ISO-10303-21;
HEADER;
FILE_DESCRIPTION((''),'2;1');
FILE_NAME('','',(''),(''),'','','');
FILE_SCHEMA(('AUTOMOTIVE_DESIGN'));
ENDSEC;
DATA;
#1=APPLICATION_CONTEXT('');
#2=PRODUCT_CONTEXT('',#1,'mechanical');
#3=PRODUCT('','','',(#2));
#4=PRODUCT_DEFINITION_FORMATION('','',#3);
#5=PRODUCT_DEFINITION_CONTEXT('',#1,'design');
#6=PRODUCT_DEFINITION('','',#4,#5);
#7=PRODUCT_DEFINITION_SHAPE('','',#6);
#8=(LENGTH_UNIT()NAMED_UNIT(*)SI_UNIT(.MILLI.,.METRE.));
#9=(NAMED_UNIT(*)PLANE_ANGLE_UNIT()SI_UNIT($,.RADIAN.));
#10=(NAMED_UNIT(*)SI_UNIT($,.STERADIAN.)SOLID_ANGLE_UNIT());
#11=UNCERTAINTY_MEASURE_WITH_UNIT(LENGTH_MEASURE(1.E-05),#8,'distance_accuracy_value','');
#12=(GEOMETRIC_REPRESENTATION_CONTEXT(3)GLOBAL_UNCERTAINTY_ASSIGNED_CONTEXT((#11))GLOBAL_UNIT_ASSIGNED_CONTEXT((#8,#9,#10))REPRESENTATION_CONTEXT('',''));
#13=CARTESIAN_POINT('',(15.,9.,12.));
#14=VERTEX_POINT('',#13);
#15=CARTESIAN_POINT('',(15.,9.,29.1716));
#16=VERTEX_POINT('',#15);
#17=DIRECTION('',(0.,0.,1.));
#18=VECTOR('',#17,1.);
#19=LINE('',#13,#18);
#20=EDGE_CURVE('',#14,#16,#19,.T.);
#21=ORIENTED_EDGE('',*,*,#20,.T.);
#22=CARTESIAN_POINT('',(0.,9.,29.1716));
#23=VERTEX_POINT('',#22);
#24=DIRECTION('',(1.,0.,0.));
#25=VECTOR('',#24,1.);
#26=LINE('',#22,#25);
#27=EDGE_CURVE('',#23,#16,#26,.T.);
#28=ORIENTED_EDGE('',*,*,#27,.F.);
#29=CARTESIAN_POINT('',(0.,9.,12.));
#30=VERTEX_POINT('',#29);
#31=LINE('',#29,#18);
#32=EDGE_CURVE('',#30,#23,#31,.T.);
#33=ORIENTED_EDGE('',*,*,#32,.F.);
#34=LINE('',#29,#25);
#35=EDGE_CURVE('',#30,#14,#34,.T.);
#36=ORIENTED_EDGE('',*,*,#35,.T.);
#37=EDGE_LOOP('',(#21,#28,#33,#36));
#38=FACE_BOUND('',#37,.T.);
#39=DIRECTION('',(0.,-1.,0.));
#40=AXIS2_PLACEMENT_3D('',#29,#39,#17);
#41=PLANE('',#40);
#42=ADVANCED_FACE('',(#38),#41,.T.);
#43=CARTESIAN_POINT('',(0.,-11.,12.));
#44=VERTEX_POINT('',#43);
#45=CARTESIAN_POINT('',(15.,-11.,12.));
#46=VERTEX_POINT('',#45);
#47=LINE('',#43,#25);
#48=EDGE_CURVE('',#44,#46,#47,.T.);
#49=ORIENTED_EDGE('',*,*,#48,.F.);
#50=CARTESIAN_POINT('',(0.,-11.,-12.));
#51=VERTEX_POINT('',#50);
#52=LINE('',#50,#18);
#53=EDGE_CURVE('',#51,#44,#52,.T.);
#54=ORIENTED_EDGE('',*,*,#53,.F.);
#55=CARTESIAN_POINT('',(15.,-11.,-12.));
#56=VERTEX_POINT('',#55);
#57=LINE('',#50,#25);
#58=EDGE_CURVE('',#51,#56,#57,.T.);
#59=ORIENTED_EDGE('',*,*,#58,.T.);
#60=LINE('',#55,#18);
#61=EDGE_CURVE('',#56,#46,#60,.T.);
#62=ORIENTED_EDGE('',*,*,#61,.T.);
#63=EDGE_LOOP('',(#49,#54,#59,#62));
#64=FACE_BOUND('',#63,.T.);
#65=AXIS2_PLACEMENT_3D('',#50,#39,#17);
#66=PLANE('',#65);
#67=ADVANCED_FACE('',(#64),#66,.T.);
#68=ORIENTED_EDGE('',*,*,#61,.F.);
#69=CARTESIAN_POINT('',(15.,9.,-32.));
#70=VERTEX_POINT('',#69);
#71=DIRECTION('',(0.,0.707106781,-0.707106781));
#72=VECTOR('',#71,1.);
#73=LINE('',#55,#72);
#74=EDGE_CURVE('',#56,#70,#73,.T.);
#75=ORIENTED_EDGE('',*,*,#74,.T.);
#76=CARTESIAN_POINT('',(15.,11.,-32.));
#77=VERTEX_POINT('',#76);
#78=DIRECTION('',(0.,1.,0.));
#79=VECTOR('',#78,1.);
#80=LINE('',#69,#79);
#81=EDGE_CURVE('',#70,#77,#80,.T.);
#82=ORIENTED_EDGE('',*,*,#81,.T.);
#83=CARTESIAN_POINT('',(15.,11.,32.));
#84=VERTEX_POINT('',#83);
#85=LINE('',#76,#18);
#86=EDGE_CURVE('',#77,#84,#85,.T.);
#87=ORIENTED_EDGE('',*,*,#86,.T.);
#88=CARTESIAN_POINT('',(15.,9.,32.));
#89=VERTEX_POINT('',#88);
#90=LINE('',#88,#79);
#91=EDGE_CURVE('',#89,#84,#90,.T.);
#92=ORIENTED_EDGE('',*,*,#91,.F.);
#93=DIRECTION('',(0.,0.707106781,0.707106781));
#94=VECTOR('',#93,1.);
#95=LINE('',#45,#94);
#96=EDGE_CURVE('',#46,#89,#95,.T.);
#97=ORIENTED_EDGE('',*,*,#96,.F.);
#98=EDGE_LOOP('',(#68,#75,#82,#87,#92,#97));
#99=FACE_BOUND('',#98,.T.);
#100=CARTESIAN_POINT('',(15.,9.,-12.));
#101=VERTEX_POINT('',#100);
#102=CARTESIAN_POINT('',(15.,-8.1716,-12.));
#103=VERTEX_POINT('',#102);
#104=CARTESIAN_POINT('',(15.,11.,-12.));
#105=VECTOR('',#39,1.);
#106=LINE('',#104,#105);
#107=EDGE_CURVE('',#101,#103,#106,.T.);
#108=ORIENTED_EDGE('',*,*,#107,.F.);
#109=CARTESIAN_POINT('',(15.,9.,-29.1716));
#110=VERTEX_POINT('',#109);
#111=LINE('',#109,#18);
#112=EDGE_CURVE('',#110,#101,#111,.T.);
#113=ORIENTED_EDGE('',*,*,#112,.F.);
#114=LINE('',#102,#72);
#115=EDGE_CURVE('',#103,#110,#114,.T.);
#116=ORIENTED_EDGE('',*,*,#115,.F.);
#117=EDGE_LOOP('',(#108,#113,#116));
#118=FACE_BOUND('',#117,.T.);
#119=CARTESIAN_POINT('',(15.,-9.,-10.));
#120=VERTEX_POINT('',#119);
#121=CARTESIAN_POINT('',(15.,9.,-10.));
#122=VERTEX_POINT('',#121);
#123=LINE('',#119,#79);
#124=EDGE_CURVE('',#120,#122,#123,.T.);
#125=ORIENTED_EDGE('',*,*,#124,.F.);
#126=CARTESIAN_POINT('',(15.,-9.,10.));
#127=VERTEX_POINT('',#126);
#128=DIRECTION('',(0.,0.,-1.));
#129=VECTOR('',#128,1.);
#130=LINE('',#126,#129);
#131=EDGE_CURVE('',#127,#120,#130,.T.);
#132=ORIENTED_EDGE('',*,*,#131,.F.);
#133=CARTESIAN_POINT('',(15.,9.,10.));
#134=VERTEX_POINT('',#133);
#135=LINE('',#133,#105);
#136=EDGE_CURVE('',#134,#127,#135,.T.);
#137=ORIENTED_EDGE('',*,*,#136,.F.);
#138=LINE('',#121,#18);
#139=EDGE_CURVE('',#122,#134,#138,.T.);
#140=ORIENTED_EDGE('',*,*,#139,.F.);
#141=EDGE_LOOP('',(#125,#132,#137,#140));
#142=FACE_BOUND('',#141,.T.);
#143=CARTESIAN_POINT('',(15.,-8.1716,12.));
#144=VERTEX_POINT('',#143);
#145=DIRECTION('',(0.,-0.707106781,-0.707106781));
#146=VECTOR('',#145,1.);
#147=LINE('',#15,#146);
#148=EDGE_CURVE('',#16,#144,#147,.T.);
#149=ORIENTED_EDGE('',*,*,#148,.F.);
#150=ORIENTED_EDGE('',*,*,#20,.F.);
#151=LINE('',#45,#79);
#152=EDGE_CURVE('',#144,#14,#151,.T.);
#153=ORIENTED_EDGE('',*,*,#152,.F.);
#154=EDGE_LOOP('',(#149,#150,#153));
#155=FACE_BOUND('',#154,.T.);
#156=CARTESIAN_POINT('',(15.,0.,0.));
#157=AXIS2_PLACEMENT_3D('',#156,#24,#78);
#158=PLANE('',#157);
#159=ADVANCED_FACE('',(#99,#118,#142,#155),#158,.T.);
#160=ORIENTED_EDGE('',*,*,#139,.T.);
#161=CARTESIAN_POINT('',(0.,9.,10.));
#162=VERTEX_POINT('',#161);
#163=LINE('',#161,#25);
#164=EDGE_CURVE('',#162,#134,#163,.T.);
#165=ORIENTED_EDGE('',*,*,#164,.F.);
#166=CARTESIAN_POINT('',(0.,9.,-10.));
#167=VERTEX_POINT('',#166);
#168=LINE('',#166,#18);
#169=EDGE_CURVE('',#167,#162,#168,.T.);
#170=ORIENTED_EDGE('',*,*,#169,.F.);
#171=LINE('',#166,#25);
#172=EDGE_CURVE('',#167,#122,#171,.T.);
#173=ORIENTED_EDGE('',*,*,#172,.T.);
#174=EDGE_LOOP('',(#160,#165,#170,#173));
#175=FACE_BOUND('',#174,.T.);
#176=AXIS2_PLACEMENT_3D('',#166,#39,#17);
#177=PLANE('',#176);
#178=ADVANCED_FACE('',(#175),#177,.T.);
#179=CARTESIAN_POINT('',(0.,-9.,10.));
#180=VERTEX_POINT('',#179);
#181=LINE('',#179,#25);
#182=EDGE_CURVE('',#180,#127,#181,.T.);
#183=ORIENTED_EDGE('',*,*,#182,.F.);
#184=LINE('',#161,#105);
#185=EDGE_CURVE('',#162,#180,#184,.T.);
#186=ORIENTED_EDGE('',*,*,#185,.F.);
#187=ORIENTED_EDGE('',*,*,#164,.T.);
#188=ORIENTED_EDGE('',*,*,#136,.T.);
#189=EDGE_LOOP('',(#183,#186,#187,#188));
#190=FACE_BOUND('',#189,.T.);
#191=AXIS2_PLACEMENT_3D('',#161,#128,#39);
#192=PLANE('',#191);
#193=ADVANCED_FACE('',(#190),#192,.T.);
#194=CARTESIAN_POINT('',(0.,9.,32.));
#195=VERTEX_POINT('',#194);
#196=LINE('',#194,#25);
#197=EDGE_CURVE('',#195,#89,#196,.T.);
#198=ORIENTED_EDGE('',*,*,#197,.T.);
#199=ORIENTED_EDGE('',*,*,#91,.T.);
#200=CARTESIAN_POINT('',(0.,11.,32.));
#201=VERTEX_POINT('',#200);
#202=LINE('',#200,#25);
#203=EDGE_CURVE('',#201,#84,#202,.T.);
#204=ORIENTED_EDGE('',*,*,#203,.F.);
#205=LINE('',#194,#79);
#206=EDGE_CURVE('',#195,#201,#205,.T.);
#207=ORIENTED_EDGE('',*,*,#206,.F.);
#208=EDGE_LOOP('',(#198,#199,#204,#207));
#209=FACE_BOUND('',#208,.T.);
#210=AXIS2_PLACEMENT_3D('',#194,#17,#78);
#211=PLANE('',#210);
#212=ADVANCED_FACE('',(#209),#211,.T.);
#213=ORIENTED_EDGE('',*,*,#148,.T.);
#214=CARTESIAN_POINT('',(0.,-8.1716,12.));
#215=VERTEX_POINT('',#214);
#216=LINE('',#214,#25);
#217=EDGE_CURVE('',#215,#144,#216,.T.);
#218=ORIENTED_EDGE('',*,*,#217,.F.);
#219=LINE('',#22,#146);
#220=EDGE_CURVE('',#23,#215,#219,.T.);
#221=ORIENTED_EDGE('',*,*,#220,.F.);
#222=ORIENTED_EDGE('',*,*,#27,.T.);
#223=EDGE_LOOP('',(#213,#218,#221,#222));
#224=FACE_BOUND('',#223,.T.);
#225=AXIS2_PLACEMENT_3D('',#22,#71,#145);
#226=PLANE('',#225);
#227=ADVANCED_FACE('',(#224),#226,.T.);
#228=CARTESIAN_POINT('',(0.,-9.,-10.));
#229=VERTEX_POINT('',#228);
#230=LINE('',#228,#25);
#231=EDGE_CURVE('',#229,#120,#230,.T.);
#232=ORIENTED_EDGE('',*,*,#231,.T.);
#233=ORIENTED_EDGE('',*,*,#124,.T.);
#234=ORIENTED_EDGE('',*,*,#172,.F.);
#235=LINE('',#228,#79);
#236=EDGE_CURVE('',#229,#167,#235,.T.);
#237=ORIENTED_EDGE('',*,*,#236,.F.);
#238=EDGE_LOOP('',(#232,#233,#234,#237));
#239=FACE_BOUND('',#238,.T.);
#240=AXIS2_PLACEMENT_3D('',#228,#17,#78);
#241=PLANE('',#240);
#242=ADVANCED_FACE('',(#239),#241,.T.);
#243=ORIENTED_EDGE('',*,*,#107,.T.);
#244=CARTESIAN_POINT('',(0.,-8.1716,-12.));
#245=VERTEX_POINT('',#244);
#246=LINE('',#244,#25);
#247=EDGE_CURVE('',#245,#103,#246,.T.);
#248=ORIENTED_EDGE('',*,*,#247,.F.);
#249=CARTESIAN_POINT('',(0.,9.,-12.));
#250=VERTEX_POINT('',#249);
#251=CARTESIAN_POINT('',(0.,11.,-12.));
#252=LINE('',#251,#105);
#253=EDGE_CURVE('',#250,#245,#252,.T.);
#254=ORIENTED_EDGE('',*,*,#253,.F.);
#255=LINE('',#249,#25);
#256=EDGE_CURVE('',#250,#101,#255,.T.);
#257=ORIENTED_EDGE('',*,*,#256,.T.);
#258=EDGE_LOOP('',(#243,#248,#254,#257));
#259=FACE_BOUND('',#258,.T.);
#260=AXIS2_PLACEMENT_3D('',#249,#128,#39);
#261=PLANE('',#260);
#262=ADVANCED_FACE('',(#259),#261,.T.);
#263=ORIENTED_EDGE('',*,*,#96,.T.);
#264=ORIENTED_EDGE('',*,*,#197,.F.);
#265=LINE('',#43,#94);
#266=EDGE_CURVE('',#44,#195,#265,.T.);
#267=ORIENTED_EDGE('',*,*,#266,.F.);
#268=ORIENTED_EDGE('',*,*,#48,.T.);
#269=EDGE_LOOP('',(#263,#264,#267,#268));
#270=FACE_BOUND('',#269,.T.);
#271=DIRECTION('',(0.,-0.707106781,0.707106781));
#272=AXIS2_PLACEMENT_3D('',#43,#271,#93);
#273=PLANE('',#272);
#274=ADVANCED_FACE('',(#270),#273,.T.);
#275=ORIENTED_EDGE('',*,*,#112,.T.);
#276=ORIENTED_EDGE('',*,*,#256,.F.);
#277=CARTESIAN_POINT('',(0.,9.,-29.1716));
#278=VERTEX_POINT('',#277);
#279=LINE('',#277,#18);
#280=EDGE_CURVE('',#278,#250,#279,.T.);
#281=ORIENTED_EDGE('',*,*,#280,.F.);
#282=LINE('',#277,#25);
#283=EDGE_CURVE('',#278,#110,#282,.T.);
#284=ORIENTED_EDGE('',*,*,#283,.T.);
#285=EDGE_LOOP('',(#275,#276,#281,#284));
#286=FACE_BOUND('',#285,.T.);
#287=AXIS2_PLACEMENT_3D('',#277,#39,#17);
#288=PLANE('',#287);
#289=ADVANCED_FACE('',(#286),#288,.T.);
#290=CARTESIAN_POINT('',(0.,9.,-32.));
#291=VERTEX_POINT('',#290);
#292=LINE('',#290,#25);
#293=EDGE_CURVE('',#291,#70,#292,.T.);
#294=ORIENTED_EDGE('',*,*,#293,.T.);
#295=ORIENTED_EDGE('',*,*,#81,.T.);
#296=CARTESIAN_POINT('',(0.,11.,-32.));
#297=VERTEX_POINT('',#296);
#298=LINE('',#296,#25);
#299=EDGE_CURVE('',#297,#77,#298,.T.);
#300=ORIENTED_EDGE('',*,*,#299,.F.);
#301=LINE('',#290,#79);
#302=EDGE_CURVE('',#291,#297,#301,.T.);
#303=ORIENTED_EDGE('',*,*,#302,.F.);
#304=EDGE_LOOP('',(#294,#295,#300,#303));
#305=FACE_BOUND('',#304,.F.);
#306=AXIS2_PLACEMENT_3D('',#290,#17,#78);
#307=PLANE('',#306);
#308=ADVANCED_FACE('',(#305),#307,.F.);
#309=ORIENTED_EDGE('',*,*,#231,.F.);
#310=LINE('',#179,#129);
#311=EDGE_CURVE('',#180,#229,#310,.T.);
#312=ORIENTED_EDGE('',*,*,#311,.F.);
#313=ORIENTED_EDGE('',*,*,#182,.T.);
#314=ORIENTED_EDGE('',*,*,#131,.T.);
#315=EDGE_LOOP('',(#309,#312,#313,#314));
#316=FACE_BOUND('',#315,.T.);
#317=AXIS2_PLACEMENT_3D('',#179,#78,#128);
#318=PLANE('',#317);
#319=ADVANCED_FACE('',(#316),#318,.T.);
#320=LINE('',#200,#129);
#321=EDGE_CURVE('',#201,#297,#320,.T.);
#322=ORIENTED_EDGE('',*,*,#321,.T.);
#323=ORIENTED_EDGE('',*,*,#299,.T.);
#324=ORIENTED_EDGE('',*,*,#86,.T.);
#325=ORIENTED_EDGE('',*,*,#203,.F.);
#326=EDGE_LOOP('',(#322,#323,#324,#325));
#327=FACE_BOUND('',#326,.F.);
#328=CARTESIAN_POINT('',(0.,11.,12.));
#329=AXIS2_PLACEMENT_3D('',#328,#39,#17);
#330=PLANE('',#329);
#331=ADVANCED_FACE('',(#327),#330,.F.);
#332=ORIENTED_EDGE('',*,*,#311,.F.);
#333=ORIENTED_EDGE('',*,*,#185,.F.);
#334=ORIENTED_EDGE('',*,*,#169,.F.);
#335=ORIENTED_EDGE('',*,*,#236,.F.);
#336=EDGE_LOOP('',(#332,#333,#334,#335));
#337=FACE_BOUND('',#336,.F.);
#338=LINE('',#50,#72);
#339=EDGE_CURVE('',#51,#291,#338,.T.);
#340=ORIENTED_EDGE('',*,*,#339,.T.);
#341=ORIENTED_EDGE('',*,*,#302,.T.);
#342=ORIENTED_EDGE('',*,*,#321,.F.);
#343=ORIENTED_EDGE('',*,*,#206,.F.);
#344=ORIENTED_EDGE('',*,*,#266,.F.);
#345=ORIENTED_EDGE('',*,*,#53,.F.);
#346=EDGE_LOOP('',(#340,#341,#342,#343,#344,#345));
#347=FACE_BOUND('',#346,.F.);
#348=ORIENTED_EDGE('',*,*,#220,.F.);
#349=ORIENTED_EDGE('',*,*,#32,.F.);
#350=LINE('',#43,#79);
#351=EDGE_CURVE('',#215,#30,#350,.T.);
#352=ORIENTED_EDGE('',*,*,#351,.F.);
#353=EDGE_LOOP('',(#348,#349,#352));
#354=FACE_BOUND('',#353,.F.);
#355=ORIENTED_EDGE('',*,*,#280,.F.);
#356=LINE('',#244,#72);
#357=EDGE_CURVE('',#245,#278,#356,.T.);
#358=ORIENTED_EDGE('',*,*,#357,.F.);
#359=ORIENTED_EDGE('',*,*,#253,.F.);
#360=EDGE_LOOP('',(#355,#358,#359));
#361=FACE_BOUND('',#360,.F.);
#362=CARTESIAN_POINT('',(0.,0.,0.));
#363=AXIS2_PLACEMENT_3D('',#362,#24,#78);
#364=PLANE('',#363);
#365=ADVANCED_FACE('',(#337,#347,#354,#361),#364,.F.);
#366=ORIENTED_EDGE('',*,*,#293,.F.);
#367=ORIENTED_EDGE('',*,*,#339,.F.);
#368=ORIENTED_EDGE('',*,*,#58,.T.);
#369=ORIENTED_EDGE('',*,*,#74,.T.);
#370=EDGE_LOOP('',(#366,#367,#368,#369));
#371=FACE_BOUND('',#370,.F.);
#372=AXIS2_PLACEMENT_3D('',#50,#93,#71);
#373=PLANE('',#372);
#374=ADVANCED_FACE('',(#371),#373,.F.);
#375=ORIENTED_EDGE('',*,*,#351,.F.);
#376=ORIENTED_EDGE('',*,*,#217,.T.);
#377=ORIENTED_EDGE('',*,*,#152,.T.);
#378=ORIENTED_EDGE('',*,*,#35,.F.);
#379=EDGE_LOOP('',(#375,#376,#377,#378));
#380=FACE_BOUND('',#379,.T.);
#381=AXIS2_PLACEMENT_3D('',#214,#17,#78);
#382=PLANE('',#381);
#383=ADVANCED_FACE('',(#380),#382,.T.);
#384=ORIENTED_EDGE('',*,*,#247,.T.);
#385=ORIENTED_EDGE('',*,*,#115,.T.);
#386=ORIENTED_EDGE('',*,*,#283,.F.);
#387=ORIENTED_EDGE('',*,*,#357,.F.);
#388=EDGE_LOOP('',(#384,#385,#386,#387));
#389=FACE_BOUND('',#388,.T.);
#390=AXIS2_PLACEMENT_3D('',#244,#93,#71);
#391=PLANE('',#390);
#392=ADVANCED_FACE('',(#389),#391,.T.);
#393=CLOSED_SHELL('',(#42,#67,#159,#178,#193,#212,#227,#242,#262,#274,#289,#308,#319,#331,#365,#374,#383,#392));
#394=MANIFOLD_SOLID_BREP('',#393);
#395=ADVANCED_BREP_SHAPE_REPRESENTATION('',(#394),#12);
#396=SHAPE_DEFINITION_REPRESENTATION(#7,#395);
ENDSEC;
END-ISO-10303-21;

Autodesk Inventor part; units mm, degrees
ref_plane "YZ Plane" through (0, 0, 0) normal (1, 0, 0) x (0, 1, 0)
ref_plane "XZ Plane" through (0, 0, 0) normal (0, 1, 0) x (-1, 0, 0)
ref_plane "XY Plane" through (0, 0, 0) normal (0, 0, 1) x (1, 0, 0)
sketch "Sketch1" plane through (0, 0, 0) normal (1, 0, 0) x (0, 1, 0)
  line L0 (9, 10) -> (-9, 10)
  line L1 (-9, 10) -> (-9, -10)
  line L2 (-9, -10) -> (9, -10)
  line L3 (9, -10) -> (9, 10)
  line L4 (9, 10) -> (-9, -10) construction
  line L5 (-9, 10) -> (9, -10) construction
  line L6 (-11, 12) -> (11, 12)
  line L7 (11, 12) -> (11, -12)
  line L8 (11, -12) -> (-11, -12)
  line L9 (-11, -12) -> (-11, 12)
  line L10 (-11, 12) -> (9, 32)
  line L11 (-11, 12) -> (21.2472, 12) construction
  line L12 (11, 12) -> (11, 32)
  line L13 (-11, -12) -> (9, -32)
  line L14 (-11, -12) -> (29.5291, -12) construction
  line L15 (11, -12) -> (11, -32)
  line L16 (9, 12) -> (9, 29.1716)
  line L17 (9, 29.1716) -> (-8.1716, 12)
  line L18 (-8.1716, -12) -> (9, -29.1716)
  line L19 (9, -29.1716) -> (9, -12)
  line L20 (11, 12) -> (11, 10)
  line L21 (11, 12) -> (9, 12)
  line L22 (-8.1716, 12) -> (-11, 12)
  line L23 (-11, -12) -> (-8.1716, -12)
  line L24 (11, -12) -> (9, -12)
  line L25 (9, 29.1716) -> (9, 32)
  line L26 (9, 32) -> (11, 32)
  line L27 (9, -29.1716) -> (11, -29.1716)
  line L28 (9, -29.1716) -> (9, -32)
  line L29 (9, -32) -> (11, -32)
  line L30 (11, 12) -> (9, 12)
  line L31 (-8.1716, 12) -> (-11, 12)
  line L32 (-8.1716, 12) -> (9, 29.1716)
  line L33 (-8.1716, -12) -> (9, -12)
  line L34 (11, -12) -> (9, -12)
  point P0 (0, 0)
  dimension "d0" = 18
  dimension "d1" = 20
  dimension "d2" = 2
  dimension "d3" = 45
  dimension "d4" = 45
  dimension "d5" = 2
  dimension "d6" = 2
extrude "Extrusion2" add sketch "Sketch1" along normal blind 15 contours L10 L25 L17 L6 | L6 L7 L8 L9 | L8 L18 L28 L13 | L26 L12 L6 L16 L25 | L28 L27 L15 L29 | L8 L15 L27 L19
properties part number "Motor_Shroud"
